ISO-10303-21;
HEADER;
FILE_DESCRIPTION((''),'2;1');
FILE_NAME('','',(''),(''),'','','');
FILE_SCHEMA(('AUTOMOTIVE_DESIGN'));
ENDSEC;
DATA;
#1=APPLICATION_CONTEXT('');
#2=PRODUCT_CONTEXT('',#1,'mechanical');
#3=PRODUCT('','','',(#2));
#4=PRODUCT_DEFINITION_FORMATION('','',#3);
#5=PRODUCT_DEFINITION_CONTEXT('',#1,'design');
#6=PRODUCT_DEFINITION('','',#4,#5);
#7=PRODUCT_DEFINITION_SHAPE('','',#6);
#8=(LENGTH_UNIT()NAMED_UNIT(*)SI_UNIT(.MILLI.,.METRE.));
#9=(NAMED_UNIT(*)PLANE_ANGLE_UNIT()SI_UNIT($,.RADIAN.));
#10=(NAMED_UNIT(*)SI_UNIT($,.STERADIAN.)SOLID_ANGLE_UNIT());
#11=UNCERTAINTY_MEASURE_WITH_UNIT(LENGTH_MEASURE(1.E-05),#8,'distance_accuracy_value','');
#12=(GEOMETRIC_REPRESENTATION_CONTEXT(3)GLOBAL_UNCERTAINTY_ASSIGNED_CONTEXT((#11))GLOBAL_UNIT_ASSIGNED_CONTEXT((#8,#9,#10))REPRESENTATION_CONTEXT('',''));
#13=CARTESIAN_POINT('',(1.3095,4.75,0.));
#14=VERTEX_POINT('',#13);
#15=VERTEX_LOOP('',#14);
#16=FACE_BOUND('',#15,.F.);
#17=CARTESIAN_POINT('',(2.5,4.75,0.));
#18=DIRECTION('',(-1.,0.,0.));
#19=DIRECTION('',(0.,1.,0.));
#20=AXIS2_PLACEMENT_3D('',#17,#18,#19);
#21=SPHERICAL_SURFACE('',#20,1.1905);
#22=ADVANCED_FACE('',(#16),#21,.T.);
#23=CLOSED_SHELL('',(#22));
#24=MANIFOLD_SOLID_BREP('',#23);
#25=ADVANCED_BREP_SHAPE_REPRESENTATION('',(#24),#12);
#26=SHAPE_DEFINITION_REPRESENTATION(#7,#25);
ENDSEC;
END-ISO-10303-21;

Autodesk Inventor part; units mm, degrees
ref_plane "YZ Plane" through (0, 0, 0) normal (1, 0, 0) x (0, 1, 0)
ref_plane "XZ Plane" through (0, 0, 0) normal (0, 1, 0) x (-1, 0, 0)
ref_plane "XY Plane" through (0, 0, 0) normal (0, 0, 1) x (1, 0, 0)
sketch "Sketch_6" plane through (0, 0, 0) normal (0, 0, 1) x (1, 0, 0)
  line L0 (3.6905, 4.75) -> (1.3095, 4.75)
  arc A0 (3.6905, 4.75) -> (1.3095, 4.75) centre (2.5, 4.75) ccw
  line L1 (3.6905, 4.75) -> (1.3095, 4.75)
  dimension "d0" = 360
revolve "Revolution1" add sketch "Sketch_6" angle 360 about axis through (3.6905, 4.75, 0) along (1, 0, 0)
properties part number "W 605-2Z_PART3"
